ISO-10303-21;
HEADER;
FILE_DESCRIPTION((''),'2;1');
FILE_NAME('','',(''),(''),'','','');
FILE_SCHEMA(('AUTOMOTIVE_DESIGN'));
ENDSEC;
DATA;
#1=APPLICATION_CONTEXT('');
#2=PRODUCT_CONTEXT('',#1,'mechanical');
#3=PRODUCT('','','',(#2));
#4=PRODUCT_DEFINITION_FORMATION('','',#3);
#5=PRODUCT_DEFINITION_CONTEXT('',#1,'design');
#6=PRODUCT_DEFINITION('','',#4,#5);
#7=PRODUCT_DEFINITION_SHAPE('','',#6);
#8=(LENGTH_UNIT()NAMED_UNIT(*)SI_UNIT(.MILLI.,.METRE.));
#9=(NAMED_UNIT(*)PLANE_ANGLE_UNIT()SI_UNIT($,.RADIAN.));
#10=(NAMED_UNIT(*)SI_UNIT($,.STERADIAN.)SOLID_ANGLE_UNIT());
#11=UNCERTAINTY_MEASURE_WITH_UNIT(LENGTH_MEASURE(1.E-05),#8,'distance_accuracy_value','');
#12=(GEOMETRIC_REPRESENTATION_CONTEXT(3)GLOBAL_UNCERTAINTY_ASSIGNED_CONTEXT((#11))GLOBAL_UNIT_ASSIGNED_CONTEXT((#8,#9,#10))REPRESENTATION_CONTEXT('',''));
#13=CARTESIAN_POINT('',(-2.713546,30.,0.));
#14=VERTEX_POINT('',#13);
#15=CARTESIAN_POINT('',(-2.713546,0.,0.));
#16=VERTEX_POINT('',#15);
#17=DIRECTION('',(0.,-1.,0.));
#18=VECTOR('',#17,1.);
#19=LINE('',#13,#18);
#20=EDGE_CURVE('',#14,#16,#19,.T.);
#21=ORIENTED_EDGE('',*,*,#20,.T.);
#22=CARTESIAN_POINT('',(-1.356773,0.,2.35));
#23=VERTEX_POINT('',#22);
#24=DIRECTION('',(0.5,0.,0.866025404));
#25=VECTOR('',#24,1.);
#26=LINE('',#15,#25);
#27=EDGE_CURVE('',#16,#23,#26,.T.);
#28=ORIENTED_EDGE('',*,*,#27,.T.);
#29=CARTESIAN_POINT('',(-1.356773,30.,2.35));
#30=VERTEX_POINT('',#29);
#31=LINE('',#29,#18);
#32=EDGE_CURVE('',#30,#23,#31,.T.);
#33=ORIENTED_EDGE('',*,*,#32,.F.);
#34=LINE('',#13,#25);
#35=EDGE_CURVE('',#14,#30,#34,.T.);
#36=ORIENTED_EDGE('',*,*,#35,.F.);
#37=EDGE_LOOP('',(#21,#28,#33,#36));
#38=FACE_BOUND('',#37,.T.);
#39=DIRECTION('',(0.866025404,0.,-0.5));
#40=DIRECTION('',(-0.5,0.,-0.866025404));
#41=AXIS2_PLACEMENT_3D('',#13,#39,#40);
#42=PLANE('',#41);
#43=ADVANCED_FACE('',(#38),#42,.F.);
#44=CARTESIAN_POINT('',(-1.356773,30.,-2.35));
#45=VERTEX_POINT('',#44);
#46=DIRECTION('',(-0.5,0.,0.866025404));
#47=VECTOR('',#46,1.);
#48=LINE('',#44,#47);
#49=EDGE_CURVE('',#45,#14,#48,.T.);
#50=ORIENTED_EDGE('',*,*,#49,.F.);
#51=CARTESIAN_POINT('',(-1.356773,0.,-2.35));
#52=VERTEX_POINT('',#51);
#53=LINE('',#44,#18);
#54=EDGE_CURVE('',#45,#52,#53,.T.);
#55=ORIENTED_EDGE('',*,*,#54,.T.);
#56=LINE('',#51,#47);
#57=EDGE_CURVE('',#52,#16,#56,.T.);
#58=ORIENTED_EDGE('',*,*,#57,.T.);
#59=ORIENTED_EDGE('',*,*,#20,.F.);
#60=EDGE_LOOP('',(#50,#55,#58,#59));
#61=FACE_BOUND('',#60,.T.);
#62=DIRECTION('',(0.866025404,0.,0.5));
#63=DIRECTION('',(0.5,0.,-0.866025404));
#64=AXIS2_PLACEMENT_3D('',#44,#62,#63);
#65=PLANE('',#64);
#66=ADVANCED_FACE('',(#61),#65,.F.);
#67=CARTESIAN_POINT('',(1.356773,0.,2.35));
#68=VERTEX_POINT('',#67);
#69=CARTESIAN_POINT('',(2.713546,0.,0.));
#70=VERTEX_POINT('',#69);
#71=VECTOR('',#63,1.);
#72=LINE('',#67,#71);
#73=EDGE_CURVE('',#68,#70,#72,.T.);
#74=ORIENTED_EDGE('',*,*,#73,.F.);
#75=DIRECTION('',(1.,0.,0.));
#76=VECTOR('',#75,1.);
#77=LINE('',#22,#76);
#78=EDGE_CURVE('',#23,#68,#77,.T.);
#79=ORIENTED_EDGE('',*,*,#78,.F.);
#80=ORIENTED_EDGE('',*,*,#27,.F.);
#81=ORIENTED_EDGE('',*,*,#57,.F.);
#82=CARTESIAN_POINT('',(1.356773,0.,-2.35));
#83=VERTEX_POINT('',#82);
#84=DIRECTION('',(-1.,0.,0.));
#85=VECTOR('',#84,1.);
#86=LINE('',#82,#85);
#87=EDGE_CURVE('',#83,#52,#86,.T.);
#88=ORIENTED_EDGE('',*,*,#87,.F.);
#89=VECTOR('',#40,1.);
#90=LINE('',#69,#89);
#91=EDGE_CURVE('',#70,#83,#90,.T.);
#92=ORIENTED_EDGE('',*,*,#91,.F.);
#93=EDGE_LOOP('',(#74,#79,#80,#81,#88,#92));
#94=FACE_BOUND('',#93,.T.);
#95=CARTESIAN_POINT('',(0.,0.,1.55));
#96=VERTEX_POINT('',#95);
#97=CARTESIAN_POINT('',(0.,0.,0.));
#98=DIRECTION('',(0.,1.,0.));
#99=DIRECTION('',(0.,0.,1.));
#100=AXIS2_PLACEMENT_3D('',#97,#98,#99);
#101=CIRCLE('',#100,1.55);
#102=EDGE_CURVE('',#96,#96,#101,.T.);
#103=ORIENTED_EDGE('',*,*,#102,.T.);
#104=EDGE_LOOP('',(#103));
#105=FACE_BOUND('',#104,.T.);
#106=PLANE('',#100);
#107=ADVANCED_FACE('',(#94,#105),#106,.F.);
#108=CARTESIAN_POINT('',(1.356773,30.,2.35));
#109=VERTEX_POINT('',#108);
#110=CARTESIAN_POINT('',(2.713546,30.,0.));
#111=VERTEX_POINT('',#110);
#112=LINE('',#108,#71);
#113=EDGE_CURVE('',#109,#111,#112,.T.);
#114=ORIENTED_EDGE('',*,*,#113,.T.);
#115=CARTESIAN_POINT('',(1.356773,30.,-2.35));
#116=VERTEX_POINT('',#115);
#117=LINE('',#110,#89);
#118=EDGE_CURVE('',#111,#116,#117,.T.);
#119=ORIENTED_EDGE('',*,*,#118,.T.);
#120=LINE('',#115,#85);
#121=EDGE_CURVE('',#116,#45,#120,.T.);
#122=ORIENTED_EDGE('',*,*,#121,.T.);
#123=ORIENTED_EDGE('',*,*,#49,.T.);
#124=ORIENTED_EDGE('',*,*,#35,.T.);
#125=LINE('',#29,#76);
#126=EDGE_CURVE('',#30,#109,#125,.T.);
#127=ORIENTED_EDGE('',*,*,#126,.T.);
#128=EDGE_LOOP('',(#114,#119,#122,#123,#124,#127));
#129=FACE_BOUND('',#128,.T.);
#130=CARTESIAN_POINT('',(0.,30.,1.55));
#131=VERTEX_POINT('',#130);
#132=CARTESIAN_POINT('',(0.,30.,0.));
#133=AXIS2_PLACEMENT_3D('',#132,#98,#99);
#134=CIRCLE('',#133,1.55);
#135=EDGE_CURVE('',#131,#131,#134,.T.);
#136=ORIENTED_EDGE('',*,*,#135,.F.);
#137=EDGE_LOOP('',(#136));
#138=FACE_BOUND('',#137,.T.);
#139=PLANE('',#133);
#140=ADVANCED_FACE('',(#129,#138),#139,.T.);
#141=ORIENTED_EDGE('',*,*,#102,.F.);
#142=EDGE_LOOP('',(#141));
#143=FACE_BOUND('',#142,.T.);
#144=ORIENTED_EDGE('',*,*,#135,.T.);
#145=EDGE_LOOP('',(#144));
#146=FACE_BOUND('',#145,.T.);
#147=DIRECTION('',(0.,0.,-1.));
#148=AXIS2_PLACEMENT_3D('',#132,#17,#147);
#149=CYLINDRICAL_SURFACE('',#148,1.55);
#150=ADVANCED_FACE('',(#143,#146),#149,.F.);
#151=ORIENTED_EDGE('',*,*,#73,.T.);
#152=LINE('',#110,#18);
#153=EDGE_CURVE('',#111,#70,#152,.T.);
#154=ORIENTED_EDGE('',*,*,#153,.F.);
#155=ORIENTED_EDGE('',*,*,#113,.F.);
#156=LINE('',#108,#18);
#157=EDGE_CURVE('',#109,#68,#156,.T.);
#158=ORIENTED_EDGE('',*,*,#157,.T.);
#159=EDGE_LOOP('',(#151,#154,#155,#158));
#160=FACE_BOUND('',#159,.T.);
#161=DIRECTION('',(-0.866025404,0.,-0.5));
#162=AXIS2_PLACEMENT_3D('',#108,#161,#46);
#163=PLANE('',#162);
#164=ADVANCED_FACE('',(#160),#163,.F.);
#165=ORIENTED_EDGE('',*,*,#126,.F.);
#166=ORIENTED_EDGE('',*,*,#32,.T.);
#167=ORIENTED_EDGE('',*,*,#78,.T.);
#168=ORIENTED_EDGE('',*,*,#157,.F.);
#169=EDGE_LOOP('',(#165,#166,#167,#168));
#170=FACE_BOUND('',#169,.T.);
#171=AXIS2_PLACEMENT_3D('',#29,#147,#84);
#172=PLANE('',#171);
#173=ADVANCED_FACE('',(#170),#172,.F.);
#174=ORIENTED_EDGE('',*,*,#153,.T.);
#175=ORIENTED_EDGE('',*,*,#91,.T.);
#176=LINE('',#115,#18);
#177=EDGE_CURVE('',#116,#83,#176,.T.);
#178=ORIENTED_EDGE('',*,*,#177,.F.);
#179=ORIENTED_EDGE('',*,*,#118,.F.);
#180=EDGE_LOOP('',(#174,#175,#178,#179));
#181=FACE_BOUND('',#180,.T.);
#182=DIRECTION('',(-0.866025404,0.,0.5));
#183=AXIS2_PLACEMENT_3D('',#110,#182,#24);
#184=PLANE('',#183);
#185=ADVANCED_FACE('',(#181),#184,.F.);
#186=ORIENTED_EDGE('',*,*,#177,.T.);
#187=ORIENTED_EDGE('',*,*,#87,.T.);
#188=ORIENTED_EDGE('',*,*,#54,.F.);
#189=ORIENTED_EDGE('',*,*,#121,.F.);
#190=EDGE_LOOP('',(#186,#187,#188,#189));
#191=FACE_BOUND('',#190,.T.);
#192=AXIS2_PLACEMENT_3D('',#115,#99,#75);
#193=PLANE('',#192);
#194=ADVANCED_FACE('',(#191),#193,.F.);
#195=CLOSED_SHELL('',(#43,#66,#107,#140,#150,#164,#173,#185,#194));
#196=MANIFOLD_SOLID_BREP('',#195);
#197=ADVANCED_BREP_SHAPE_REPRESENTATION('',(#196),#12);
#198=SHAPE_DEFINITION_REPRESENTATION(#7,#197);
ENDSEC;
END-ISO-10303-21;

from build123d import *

# Parameters (mm, degrees)
SKETCH_1_R      = 1.55
EXTRUDE_1_DEPTH = 30


with BuildPart() as part:
    # 草图1 → 凸台-拉伸1 (new body)
    with BuildSketch(Plane(origin=(0, 0, 0), x_dir=(1, 0, 0), z_dir=(0, 1, 0))):
        Polygon((2.713546265, 0), (1.356773133, 2.35), (-1.356773133, 2.35), (-2.713546265, 0), (-1.356773133, -2.35), (1.356773133, -2.35), align=None)
        with Locations(Location((0, 0, 0), (0, 0, 270))):
            Circle(SKETCH_1_R, mode=Mode.SUBTRACT)
    extrude(amount=EXTRUDE_1_DEPTH)


solid = part.part
